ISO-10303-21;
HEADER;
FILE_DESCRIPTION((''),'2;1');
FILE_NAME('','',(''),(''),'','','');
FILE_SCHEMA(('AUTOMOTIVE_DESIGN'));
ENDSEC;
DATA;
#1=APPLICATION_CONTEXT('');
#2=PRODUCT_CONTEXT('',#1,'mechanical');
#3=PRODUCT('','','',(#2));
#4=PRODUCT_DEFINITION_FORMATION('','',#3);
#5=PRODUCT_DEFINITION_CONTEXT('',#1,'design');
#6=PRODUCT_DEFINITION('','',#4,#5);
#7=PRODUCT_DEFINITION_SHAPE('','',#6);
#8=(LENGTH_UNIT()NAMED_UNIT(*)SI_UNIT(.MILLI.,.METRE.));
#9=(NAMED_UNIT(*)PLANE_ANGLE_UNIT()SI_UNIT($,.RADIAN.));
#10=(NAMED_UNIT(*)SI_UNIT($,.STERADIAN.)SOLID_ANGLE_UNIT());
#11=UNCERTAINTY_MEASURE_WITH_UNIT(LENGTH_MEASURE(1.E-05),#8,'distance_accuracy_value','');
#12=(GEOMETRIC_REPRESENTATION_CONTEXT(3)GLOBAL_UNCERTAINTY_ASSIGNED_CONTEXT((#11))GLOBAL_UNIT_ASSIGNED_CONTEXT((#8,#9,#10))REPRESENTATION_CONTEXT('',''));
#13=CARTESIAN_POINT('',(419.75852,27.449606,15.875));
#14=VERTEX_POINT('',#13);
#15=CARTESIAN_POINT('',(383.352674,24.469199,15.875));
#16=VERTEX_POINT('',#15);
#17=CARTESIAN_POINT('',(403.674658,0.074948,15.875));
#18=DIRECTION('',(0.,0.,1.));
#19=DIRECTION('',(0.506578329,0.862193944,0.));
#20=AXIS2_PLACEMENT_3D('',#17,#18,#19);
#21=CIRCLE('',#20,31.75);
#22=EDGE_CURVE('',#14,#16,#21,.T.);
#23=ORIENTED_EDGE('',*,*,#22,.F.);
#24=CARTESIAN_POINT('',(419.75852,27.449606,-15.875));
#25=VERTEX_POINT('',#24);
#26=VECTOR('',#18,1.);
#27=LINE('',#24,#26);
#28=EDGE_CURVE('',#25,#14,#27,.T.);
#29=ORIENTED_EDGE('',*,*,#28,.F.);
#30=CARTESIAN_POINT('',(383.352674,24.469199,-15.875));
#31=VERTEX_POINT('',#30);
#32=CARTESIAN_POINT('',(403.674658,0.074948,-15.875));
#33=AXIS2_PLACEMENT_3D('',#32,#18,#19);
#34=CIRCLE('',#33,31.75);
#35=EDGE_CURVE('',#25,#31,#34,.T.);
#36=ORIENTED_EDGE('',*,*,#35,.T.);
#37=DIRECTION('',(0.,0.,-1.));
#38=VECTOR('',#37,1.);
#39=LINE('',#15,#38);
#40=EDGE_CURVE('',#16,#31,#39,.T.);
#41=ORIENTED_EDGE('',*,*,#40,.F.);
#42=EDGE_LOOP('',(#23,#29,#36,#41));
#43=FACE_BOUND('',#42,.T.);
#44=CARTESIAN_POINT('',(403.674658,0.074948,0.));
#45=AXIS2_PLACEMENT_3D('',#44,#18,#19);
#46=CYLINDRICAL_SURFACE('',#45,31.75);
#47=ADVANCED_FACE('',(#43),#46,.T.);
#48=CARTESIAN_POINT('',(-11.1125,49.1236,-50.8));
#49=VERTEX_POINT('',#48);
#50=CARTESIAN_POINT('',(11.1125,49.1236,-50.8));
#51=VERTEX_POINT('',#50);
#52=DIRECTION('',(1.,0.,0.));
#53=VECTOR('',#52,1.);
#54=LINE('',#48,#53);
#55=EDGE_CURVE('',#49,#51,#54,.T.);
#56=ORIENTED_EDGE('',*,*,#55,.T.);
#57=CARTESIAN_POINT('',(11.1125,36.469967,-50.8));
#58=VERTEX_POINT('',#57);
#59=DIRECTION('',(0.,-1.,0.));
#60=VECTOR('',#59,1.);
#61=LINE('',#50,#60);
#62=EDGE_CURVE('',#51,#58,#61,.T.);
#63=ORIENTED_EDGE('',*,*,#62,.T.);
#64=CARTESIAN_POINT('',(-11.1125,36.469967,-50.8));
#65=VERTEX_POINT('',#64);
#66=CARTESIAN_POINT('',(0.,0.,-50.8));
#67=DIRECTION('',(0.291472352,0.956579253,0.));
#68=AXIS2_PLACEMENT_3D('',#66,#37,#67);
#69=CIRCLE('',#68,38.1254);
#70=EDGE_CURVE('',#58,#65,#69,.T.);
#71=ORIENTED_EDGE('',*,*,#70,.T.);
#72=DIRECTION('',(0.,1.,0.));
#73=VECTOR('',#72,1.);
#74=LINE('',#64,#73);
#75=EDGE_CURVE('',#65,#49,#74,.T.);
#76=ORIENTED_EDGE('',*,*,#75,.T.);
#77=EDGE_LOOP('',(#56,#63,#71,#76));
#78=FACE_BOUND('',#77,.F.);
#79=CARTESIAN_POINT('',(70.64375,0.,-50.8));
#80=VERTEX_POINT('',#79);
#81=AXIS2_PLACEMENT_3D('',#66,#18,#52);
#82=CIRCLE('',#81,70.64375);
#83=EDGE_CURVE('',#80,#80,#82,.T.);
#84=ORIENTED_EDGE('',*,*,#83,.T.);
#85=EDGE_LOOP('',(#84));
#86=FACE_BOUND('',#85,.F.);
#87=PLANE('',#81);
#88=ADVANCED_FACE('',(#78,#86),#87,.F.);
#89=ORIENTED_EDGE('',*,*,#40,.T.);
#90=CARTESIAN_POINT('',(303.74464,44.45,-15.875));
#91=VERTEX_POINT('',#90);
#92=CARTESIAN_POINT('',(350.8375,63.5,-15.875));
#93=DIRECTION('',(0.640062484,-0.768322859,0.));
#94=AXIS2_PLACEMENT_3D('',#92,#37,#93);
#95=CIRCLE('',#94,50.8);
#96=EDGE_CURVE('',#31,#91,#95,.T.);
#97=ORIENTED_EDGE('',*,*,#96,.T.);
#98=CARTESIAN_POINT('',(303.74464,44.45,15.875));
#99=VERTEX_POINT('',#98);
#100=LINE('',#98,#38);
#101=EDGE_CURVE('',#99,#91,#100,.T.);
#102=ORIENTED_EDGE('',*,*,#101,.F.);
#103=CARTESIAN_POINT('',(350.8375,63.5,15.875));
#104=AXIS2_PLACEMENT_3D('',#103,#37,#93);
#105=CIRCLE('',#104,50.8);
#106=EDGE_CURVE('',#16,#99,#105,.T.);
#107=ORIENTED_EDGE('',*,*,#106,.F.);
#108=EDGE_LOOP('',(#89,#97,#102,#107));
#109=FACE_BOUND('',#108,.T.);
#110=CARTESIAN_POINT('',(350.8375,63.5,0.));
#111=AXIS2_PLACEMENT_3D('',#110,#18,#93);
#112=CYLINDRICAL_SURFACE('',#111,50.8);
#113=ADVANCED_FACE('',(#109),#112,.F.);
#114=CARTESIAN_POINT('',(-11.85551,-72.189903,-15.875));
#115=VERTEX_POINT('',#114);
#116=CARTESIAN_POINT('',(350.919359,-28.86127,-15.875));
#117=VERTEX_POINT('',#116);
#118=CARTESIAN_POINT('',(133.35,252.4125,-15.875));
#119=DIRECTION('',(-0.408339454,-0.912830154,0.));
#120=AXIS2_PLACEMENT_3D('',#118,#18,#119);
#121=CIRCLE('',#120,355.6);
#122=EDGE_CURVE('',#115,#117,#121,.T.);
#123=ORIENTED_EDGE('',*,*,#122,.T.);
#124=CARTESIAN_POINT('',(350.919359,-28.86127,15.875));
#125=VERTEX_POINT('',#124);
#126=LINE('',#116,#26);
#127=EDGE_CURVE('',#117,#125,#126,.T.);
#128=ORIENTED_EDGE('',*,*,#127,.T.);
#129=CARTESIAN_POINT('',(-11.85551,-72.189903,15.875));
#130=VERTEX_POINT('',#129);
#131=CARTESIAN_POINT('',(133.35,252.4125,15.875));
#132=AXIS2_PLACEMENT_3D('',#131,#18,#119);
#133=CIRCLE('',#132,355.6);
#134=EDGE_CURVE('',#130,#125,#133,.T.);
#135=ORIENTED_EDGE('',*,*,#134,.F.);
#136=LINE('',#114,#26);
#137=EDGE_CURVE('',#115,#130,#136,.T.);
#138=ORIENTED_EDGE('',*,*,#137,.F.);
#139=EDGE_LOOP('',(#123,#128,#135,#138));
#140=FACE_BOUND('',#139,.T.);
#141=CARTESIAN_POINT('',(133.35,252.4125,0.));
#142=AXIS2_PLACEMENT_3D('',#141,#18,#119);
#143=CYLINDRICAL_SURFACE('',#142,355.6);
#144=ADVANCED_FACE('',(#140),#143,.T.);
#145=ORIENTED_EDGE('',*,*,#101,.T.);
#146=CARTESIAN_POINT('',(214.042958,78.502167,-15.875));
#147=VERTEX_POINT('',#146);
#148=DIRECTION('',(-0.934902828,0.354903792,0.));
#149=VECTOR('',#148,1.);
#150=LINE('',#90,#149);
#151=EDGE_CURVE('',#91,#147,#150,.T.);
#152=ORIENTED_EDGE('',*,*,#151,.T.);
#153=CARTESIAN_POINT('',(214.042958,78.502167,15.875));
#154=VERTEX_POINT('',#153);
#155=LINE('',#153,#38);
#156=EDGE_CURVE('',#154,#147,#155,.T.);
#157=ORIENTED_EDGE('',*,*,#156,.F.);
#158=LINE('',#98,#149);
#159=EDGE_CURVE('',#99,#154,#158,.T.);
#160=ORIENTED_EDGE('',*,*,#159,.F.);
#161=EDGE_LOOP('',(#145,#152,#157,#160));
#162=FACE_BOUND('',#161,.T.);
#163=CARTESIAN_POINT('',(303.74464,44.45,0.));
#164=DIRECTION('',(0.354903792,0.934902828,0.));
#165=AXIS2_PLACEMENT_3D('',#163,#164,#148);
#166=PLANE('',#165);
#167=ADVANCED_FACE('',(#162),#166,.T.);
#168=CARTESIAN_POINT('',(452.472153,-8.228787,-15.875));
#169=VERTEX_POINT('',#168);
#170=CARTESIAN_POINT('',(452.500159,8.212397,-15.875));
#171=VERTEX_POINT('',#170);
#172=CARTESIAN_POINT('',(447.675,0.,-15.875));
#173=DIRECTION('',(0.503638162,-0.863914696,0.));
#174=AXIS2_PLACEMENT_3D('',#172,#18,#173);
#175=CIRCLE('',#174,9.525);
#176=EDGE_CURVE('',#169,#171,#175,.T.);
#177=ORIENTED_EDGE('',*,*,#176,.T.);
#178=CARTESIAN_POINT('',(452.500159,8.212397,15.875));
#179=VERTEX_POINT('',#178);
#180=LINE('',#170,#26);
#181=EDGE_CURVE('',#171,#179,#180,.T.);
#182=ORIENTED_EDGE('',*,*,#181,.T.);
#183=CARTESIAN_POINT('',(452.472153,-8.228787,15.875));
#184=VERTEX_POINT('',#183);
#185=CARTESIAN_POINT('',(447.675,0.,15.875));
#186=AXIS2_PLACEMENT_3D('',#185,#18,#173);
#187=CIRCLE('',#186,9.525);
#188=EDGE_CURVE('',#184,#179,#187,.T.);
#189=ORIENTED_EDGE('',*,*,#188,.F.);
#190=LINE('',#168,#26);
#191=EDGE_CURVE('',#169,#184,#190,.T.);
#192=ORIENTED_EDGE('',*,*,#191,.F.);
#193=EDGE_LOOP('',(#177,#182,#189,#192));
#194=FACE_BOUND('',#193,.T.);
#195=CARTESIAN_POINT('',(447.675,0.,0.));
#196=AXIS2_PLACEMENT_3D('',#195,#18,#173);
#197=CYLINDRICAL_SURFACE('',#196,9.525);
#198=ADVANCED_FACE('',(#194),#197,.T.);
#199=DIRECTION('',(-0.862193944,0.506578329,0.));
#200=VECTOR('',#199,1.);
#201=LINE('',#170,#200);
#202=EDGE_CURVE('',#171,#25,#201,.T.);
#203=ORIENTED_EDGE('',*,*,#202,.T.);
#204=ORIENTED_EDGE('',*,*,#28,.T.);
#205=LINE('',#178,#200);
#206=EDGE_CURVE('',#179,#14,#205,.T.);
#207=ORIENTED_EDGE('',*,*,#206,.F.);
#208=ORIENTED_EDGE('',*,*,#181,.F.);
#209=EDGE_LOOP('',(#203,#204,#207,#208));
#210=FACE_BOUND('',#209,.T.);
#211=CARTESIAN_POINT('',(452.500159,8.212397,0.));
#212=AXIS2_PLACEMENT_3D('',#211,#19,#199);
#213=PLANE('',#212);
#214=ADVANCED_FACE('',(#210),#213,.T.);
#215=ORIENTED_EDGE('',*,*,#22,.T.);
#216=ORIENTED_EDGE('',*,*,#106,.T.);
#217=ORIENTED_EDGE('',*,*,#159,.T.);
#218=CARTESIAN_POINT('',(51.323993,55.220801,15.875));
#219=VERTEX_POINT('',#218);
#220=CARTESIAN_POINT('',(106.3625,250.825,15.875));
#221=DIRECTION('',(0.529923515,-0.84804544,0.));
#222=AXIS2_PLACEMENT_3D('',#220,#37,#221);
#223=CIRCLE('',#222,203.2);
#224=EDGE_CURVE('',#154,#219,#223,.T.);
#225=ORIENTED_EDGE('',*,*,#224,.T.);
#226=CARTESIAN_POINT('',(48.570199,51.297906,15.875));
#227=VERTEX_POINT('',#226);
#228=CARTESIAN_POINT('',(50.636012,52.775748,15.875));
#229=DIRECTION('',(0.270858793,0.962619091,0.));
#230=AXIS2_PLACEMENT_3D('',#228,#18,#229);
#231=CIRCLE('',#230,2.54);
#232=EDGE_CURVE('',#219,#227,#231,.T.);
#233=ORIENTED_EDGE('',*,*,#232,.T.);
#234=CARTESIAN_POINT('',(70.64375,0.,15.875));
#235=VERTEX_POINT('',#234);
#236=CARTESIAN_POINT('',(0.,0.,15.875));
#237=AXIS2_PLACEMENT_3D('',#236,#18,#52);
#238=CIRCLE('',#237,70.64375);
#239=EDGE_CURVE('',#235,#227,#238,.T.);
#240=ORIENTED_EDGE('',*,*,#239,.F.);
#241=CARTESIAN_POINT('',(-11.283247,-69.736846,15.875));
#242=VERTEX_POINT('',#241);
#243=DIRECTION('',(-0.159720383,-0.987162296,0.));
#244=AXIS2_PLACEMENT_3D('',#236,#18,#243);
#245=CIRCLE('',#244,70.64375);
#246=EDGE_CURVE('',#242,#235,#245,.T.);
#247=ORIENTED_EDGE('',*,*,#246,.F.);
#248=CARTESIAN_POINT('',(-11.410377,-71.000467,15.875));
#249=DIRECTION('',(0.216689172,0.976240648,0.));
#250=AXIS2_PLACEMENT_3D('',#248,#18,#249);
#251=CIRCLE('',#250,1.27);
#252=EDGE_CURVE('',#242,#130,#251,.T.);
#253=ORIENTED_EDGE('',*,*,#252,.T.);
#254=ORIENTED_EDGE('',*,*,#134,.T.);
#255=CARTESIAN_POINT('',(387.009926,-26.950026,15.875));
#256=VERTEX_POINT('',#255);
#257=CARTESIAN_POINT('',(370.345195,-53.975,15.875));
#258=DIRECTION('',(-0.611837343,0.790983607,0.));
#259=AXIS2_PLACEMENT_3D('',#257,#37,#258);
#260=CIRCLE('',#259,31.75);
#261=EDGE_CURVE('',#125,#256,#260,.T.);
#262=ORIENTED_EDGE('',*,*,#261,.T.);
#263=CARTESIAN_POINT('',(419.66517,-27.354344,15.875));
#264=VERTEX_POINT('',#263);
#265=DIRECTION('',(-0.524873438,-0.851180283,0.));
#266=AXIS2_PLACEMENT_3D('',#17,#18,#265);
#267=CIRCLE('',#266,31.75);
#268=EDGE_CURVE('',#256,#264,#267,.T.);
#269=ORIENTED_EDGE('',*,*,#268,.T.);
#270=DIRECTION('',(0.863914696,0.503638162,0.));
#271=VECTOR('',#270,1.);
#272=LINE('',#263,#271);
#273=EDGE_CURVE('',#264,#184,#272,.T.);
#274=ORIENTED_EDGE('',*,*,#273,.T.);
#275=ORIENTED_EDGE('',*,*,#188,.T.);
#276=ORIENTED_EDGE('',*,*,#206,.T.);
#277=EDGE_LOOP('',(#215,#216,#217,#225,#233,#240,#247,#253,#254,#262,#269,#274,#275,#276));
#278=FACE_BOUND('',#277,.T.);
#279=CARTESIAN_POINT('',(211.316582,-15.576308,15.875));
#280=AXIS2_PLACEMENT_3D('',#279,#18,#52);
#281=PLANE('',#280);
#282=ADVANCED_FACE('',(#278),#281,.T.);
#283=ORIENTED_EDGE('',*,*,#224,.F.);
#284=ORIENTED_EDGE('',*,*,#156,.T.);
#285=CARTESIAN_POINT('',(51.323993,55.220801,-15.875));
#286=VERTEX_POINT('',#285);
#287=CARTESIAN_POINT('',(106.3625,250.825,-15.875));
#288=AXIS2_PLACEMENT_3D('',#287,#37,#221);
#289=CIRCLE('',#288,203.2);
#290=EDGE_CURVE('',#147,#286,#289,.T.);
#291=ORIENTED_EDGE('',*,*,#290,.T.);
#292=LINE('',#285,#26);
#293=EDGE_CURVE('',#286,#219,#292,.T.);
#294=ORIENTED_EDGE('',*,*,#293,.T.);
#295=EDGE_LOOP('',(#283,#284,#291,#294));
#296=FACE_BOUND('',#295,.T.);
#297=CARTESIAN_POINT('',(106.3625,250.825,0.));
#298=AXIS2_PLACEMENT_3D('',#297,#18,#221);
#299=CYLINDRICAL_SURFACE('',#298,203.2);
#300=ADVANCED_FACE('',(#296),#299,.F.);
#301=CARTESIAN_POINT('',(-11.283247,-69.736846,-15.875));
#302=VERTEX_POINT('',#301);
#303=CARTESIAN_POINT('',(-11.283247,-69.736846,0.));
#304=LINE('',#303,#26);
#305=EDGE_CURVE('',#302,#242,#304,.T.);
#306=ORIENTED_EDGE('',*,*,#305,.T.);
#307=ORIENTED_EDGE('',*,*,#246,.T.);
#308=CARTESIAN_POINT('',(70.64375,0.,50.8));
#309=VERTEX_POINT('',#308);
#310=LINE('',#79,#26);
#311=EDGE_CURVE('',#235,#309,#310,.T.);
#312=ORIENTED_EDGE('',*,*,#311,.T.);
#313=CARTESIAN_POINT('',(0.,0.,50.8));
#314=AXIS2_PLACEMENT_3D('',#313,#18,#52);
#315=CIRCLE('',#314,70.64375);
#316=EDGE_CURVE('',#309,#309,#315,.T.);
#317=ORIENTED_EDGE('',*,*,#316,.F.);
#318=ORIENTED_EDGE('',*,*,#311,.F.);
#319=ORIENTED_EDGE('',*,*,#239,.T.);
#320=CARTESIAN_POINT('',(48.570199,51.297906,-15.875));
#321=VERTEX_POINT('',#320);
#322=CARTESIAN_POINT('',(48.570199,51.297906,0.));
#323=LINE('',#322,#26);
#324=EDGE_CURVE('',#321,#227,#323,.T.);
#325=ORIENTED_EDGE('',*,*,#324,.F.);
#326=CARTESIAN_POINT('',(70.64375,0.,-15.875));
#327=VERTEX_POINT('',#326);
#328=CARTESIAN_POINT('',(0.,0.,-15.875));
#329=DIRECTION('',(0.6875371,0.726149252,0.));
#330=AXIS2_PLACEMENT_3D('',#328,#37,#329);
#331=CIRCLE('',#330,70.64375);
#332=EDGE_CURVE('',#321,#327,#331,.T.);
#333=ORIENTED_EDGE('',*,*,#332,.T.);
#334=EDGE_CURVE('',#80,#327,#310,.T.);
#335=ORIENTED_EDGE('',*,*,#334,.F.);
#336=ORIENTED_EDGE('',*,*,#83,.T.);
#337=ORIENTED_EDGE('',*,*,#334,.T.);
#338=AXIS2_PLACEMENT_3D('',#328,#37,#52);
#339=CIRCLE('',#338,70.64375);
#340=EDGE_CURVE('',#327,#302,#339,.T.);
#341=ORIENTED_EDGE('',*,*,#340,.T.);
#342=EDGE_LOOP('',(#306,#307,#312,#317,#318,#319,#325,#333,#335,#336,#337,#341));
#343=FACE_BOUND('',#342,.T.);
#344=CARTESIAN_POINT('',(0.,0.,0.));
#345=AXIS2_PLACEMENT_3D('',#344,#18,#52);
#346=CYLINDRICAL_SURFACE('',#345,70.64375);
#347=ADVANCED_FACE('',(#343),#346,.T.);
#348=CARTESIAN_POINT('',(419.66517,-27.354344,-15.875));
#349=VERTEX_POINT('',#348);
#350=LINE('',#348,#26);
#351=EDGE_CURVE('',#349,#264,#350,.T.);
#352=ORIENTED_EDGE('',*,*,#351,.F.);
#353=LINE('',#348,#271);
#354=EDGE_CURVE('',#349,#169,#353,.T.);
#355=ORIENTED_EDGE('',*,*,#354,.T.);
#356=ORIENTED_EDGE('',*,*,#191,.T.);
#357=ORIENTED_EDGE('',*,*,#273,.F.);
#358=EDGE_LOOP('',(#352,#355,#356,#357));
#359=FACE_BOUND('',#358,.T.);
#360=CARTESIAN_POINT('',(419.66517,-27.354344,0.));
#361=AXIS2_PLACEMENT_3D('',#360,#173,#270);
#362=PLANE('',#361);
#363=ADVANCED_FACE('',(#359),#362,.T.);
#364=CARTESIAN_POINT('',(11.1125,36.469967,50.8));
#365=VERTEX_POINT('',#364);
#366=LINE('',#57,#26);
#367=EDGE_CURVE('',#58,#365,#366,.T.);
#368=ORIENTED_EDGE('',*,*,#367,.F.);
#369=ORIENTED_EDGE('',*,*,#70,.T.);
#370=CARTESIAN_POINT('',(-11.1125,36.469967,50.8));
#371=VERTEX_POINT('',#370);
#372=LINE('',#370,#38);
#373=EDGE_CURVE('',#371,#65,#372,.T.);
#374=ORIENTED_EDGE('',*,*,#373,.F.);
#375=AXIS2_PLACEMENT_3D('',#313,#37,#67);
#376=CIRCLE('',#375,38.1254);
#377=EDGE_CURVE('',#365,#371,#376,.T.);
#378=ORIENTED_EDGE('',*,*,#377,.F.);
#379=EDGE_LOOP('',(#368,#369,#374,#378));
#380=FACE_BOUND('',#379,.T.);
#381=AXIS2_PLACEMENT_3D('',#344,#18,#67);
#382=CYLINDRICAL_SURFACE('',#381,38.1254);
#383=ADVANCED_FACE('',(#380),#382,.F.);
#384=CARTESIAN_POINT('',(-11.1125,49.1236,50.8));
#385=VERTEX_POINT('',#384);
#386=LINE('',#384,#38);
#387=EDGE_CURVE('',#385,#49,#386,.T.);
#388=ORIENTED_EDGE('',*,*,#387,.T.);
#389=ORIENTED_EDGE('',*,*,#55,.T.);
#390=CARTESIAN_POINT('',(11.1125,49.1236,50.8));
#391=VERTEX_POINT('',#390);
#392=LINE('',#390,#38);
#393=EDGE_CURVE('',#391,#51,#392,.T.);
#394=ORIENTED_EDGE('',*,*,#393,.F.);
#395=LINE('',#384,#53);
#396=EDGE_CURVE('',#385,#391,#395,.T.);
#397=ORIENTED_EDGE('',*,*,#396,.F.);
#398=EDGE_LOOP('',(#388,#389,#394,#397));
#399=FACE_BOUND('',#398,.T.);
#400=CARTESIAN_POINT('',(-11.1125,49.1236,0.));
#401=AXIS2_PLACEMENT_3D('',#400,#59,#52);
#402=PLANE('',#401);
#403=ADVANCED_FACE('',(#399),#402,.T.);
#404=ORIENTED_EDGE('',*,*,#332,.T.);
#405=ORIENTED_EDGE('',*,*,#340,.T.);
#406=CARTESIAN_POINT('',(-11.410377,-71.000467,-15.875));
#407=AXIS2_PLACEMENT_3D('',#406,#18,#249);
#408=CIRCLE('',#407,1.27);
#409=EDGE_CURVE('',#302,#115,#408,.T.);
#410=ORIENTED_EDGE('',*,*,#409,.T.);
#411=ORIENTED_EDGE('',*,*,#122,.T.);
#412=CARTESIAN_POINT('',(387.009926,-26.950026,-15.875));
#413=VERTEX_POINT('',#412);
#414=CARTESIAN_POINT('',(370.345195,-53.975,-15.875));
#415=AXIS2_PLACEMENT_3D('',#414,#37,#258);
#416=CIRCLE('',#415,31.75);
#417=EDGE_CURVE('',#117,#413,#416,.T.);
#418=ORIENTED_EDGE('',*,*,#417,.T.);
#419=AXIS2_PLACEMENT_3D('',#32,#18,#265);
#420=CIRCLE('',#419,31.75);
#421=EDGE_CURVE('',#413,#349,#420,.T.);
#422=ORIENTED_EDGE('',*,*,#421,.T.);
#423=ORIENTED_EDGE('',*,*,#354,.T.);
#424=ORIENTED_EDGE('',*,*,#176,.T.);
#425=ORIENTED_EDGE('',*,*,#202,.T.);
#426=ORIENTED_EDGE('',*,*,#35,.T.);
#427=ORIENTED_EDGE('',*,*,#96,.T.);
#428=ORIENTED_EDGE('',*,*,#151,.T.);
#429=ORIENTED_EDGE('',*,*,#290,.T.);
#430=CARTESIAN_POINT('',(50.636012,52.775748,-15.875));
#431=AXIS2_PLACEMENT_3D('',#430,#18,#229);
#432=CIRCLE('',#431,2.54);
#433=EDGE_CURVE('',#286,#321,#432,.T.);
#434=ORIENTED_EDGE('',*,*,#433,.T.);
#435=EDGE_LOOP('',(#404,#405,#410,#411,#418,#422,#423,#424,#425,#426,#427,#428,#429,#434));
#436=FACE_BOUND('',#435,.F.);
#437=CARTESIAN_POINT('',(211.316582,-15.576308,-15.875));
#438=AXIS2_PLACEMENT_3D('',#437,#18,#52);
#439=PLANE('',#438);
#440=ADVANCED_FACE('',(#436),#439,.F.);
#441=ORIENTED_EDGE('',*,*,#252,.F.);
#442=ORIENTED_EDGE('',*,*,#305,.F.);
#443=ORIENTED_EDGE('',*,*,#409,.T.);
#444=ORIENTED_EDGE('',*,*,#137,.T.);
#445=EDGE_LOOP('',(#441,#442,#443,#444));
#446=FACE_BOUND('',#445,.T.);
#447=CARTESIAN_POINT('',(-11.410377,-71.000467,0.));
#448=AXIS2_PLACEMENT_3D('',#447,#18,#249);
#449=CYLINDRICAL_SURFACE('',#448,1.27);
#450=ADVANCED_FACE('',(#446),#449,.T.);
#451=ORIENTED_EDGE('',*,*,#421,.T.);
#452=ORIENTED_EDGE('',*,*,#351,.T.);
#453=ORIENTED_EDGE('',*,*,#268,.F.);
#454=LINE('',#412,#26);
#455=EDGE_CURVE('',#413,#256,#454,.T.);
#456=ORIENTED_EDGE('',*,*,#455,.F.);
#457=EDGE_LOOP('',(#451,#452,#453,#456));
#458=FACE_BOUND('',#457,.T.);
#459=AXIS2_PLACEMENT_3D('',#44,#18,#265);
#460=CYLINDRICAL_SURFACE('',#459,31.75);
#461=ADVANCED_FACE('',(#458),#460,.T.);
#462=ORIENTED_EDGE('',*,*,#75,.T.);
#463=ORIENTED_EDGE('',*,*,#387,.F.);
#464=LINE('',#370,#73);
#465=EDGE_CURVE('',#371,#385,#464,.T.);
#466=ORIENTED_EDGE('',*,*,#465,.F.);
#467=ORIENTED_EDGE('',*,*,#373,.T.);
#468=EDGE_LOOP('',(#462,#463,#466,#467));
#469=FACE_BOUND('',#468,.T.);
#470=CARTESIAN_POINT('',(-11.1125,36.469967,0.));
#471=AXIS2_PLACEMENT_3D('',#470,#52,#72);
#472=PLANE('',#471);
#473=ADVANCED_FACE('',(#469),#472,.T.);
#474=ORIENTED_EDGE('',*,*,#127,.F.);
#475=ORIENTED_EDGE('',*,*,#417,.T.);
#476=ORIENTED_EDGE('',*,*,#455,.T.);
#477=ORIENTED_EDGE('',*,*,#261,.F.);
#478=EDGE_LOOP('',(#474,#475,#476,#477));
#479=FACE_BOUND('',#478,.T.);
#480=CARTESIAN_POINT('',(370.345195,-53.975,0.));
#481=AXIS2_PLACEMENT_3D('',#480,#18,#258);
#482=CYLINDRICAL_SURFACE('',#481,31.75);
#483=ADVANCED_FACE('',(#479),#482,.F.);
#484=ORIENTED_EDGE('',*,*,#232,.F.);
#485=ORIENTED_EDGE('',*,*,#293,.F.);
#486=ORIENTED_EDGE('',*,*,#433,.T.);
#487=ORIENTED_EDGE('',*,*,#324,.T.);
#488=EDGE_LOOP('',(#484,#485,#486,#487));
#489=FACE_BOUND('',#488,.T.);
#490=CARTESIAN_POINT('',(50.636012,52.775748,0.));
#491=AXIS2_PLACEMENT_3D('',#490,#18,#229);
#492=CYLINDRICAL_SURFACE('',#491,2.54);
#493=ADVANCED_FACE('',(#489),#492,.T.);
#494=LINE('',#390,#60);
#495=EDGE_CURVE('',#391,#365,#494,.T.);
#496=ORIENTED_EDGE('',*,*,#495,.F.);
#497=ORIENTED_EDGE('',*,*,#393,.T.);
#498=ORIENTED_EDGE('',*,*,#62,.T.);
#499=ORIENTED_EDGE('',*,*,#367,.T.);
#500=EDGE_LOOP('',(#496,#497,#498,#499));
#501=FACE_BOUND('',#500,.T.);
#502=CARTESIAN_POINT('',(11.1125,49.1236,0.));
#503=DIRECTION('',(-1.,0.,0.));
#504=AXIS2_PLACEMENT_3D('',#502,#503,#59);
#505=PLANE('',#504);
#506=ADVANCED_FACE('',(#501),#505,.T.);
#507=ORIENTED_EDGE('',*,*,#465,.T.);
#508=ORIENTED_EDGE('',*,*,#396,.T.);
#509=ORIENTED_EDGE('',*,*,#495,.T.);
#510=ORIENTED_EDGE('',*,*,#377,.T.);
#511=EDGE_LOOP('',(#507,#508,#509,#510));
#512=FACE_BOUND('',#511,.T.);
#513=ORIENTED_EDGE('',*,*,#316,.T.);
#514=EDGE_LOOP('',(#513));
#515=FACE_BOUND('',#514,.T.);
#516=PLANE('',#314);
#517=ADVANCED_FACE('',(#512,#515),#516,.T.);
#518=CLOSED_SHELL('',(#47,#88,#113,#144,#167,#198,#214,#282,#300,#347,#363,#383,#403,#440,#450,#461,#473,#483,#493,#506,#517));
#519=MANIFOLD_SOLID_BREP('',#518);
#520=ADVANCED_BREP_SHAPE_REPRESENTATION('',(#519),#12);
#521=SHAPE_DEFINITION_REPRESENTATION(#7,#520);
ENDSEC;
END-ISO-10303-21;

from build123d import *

# Parameters (mm, degrees)
F1_DEPTH = 15.875
F2_R     = 70.64375
F3_DEPTH = 50.8


with BuildPart() as f1:
    # F0 (on Top) → F1 (new body, symmetric)
    with BuildSketch(Plane.XY):
        with BuildLine():
            ThreePointArc((214.0429582689, 78.5021666116), (135.1426887504, 49.6734632535), (51.3239932557, 55.2208007216))
            ThreePointArc((51.3239932557, 55.2208007216), (48.3240107377, 53.8275326792), (49.2448874204, 50.6505723267))
            ThreePointArc((49.2448874204, 50.6505723267), (63.1490502428, -31.6660207082), (-11.1351814225, -69.7606418315))
            ThreePointArc((-11.1351814225, -69.7606418315), (-12.6279755061, -70.6394230316), (-11.8555099032, -72.1899027849))
            ThreePointArc((-11.8555099032, -72.1899027849), (175.5219606246, -100.6779781173), (350.9193591325, -28.8612704918))
            ThreePointArc((350.9193591325, -28.8612704918), (368.6661659856, -22.2694269513), (387.009926427, -26.9500260171))
            ThreePointArc((387.009926427, -26.9500260171), (403.281578789, -31.6726186916), (419.6651697435, -27.3543436198))
            Line((419.6651697435, -27.3543436198), (452.4721534977, -8.2287874757))
            ThreePointArc((452.4721534977, -8.2287874757), (457.1999861821, -0.0162243816), (452.5001585836, 8.212397314))
            Line((452.5001585836, 8.212397314), (419.75852003, 27.4496056792))
            ThreePointArc((419.75852003, 27.4496056792), (401.084074029, 31.7190844567), (383.352674206, 24.4691987482))
            ThreePointArc((383.352674206, 24.4691987482), (338.4707971933, 14.2282569652), (303.7446396069, 44.45))
            Line((303.7446396069, 44.45), (214.0429582689, 78.5021666116))
        make_face()
    extrude(amount=F1_DEPTH, both=True)

    # F2 (on Top) → F3 (join, symmetric)
    with BuildSketch(Plane.XY):
        Circle(F2_R)
        with BuildLine():
            ThreePointArc((11.1125, 36.46996667), (0, -38.1254), (-11.1125, 36.46996667))
            Line((-11.1125, 36.46996667), (-11.1125, 49.1236))
            Line((-11.1125, 49.1236), (11.1125, 49.1236))
            Line((11.1125, 49.1236), (11.1125, 36.46996667))
        make_face(mode=Mode.SUBTRACT)
    extrude(amount=F3_DEPTH, both=True)


solid = f1.part
